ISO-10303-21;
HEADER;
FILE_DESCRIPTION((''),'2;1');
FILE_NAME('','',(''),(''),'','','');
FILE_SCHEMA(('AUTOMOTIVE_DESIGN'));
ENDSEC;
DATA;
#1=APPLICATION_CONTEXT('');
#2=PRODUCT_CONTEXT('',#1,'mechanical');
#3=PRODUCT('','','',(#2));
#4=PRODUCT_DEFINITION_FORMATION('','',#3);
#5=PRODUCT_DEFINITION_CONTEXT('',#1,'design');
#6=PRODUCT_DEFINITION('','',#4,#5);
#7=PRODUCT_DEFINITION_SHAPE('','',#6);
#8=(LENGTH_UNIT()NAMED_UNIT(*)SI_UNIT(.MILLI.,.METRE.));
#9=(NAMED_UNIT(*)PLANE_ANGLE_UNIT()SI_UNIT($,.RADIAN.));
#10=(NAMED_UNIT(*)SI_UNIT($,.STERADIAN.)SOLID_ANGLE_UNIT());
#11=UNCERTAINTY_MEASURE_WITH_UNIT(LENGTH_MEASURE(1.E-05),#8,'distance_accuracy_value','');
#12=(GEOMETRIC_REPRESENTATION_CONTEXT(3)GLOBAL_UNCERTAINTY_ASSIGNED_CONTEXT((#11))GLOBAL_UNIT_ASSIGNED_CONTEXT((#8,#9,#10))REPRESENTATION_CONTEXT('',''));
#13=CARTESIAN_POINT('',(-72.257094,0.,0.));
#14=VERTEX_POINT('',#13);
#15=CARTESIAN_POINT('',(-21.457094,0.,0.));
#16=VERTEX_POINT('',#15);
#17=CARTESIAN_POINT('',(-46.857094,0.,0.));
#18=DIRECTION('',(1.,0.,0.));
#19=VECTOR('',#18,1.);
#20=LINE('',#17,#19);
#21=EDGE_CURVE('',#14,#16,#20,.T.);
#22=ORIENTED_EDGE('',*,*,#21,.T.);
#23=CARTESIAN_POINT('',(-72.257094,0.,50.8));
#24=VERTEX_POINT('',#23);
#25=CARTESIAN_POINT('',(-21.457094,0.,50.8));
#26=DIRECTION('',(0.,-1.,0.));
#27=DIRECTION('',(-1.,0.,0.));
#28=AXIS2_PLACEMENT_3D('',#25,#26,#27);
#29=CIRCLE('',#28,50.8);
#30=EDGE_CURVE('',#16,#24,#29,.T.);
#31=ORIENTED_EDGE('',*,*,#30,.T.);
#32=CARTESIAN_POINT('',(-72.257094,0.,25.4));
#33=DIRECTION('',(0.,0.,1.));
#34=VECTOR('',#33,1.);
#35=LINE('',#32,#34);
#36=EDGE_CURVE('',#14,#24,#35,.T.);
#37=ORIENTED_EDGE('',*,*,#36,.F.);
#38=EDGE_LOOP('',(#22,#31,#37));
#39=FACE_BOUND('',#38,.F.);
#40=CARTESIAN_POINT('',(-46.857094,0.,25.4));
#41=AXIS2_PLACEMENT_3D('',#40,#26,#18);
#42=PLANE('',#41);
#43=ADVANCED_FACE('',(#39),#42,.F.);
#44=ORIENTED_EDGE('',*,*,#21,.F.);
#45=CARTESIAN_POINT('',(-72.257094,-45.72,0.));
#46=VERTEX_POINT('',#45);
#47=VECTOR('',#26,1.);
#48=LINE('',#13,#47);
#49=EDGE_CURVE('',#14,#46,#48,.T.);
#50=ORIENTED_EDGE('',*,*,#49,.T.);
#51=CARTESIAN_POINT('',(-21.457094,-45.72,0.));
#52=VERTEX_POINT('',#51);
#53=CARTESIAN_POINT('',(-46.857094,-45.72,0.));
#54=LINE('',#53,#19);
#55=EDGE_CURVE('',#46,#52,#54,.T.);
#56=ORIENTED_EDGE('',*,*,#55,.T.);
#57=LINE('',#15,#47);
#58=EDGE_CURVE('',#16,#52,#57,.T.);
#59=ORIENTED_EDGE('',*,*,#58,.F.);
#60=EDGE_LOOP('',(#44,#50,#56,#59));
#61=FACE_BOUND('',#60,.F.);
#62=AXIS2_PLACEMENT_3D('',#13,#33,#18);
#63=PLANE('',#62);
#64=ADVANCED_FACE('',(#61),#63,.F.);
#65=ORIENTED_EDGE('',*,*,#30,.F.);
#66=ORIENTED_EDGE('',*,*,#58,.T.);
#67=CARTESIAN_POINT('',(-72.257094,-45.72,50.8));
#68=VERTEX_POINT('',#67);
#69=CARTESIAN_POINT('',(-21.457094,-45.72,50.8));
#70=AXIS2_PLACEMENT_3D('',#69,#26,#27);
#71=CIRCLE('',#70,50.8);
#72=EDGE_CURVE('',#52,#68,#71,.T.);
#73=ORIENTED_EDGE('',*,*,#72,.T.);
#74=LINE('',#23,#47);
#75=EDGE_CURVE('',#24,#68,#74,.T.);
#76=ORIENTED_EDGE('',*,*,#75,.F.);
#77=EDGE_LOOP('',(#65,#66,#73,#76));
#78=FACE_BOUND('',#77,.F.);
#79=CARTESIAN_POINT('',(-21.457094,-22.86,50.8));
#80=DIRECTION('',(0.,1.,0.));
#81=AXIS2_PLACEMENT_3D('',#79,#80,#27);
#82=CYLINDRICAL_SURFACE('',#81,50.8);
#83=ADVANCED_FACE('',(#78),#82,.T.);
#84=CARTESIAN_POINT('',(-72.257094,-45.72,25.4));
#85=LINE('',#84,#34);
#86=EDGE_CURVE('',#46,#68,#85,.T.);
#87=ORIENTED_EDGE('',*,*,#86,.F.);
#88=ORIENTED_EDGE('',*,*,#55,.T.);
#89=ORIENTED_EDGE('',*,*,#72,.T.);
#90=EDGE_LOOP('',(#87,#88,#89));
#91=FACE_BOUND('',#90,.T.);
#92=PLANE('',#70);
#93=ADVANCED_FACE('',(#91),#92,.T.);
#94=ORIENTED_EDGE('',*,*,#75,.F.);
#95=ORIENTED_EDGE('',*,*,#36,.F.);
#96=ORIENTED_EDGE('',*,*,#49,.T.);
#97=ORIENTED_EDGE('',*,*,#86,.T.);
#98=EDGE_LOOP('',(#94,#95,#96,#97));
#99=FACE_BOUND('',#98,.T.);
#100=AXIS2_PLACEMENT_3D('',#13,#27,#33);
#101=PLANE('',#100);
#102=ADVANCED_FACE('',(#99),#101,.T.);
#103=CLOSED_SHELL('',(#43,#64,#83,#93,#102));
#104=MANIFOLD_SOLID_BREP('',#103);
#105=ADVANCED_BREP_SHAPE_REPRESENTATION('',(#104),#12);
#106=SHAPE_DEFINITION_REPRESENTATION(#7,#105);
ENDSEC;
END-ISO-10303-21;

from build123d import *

# Parameters (mm, degrees)
F0_W      = 50.8
F0_H      = 50.8
F1_DEPTH  = 45.72
F1_FACE_W = 50.8
F1_FACE_H = 45.72


with BuildPart() as f1:
    # F0 (on Front) → F1 (new body)
    with BuildSketch(Plane.XZ):
        with Locations((-46.857094, 25.4)):
            Rectangle(F0_W, F0_H)
    extrude(amount=F1_DEPTH)

    # F1_face (on face) → F2 (revolve)
    with BuildSketch(Plane(origin=(-46.857094, -22.86, 50.8), x_dir=(1, 0, 0), z_dir=(0, 0, 1))):
        Rectangle(F1_FACE_W, F1_FACE_H)
    revolve(axis=Axis((-21.457094, -22.86, 50.8), (0, -1, 0)))


solid = f1.part
